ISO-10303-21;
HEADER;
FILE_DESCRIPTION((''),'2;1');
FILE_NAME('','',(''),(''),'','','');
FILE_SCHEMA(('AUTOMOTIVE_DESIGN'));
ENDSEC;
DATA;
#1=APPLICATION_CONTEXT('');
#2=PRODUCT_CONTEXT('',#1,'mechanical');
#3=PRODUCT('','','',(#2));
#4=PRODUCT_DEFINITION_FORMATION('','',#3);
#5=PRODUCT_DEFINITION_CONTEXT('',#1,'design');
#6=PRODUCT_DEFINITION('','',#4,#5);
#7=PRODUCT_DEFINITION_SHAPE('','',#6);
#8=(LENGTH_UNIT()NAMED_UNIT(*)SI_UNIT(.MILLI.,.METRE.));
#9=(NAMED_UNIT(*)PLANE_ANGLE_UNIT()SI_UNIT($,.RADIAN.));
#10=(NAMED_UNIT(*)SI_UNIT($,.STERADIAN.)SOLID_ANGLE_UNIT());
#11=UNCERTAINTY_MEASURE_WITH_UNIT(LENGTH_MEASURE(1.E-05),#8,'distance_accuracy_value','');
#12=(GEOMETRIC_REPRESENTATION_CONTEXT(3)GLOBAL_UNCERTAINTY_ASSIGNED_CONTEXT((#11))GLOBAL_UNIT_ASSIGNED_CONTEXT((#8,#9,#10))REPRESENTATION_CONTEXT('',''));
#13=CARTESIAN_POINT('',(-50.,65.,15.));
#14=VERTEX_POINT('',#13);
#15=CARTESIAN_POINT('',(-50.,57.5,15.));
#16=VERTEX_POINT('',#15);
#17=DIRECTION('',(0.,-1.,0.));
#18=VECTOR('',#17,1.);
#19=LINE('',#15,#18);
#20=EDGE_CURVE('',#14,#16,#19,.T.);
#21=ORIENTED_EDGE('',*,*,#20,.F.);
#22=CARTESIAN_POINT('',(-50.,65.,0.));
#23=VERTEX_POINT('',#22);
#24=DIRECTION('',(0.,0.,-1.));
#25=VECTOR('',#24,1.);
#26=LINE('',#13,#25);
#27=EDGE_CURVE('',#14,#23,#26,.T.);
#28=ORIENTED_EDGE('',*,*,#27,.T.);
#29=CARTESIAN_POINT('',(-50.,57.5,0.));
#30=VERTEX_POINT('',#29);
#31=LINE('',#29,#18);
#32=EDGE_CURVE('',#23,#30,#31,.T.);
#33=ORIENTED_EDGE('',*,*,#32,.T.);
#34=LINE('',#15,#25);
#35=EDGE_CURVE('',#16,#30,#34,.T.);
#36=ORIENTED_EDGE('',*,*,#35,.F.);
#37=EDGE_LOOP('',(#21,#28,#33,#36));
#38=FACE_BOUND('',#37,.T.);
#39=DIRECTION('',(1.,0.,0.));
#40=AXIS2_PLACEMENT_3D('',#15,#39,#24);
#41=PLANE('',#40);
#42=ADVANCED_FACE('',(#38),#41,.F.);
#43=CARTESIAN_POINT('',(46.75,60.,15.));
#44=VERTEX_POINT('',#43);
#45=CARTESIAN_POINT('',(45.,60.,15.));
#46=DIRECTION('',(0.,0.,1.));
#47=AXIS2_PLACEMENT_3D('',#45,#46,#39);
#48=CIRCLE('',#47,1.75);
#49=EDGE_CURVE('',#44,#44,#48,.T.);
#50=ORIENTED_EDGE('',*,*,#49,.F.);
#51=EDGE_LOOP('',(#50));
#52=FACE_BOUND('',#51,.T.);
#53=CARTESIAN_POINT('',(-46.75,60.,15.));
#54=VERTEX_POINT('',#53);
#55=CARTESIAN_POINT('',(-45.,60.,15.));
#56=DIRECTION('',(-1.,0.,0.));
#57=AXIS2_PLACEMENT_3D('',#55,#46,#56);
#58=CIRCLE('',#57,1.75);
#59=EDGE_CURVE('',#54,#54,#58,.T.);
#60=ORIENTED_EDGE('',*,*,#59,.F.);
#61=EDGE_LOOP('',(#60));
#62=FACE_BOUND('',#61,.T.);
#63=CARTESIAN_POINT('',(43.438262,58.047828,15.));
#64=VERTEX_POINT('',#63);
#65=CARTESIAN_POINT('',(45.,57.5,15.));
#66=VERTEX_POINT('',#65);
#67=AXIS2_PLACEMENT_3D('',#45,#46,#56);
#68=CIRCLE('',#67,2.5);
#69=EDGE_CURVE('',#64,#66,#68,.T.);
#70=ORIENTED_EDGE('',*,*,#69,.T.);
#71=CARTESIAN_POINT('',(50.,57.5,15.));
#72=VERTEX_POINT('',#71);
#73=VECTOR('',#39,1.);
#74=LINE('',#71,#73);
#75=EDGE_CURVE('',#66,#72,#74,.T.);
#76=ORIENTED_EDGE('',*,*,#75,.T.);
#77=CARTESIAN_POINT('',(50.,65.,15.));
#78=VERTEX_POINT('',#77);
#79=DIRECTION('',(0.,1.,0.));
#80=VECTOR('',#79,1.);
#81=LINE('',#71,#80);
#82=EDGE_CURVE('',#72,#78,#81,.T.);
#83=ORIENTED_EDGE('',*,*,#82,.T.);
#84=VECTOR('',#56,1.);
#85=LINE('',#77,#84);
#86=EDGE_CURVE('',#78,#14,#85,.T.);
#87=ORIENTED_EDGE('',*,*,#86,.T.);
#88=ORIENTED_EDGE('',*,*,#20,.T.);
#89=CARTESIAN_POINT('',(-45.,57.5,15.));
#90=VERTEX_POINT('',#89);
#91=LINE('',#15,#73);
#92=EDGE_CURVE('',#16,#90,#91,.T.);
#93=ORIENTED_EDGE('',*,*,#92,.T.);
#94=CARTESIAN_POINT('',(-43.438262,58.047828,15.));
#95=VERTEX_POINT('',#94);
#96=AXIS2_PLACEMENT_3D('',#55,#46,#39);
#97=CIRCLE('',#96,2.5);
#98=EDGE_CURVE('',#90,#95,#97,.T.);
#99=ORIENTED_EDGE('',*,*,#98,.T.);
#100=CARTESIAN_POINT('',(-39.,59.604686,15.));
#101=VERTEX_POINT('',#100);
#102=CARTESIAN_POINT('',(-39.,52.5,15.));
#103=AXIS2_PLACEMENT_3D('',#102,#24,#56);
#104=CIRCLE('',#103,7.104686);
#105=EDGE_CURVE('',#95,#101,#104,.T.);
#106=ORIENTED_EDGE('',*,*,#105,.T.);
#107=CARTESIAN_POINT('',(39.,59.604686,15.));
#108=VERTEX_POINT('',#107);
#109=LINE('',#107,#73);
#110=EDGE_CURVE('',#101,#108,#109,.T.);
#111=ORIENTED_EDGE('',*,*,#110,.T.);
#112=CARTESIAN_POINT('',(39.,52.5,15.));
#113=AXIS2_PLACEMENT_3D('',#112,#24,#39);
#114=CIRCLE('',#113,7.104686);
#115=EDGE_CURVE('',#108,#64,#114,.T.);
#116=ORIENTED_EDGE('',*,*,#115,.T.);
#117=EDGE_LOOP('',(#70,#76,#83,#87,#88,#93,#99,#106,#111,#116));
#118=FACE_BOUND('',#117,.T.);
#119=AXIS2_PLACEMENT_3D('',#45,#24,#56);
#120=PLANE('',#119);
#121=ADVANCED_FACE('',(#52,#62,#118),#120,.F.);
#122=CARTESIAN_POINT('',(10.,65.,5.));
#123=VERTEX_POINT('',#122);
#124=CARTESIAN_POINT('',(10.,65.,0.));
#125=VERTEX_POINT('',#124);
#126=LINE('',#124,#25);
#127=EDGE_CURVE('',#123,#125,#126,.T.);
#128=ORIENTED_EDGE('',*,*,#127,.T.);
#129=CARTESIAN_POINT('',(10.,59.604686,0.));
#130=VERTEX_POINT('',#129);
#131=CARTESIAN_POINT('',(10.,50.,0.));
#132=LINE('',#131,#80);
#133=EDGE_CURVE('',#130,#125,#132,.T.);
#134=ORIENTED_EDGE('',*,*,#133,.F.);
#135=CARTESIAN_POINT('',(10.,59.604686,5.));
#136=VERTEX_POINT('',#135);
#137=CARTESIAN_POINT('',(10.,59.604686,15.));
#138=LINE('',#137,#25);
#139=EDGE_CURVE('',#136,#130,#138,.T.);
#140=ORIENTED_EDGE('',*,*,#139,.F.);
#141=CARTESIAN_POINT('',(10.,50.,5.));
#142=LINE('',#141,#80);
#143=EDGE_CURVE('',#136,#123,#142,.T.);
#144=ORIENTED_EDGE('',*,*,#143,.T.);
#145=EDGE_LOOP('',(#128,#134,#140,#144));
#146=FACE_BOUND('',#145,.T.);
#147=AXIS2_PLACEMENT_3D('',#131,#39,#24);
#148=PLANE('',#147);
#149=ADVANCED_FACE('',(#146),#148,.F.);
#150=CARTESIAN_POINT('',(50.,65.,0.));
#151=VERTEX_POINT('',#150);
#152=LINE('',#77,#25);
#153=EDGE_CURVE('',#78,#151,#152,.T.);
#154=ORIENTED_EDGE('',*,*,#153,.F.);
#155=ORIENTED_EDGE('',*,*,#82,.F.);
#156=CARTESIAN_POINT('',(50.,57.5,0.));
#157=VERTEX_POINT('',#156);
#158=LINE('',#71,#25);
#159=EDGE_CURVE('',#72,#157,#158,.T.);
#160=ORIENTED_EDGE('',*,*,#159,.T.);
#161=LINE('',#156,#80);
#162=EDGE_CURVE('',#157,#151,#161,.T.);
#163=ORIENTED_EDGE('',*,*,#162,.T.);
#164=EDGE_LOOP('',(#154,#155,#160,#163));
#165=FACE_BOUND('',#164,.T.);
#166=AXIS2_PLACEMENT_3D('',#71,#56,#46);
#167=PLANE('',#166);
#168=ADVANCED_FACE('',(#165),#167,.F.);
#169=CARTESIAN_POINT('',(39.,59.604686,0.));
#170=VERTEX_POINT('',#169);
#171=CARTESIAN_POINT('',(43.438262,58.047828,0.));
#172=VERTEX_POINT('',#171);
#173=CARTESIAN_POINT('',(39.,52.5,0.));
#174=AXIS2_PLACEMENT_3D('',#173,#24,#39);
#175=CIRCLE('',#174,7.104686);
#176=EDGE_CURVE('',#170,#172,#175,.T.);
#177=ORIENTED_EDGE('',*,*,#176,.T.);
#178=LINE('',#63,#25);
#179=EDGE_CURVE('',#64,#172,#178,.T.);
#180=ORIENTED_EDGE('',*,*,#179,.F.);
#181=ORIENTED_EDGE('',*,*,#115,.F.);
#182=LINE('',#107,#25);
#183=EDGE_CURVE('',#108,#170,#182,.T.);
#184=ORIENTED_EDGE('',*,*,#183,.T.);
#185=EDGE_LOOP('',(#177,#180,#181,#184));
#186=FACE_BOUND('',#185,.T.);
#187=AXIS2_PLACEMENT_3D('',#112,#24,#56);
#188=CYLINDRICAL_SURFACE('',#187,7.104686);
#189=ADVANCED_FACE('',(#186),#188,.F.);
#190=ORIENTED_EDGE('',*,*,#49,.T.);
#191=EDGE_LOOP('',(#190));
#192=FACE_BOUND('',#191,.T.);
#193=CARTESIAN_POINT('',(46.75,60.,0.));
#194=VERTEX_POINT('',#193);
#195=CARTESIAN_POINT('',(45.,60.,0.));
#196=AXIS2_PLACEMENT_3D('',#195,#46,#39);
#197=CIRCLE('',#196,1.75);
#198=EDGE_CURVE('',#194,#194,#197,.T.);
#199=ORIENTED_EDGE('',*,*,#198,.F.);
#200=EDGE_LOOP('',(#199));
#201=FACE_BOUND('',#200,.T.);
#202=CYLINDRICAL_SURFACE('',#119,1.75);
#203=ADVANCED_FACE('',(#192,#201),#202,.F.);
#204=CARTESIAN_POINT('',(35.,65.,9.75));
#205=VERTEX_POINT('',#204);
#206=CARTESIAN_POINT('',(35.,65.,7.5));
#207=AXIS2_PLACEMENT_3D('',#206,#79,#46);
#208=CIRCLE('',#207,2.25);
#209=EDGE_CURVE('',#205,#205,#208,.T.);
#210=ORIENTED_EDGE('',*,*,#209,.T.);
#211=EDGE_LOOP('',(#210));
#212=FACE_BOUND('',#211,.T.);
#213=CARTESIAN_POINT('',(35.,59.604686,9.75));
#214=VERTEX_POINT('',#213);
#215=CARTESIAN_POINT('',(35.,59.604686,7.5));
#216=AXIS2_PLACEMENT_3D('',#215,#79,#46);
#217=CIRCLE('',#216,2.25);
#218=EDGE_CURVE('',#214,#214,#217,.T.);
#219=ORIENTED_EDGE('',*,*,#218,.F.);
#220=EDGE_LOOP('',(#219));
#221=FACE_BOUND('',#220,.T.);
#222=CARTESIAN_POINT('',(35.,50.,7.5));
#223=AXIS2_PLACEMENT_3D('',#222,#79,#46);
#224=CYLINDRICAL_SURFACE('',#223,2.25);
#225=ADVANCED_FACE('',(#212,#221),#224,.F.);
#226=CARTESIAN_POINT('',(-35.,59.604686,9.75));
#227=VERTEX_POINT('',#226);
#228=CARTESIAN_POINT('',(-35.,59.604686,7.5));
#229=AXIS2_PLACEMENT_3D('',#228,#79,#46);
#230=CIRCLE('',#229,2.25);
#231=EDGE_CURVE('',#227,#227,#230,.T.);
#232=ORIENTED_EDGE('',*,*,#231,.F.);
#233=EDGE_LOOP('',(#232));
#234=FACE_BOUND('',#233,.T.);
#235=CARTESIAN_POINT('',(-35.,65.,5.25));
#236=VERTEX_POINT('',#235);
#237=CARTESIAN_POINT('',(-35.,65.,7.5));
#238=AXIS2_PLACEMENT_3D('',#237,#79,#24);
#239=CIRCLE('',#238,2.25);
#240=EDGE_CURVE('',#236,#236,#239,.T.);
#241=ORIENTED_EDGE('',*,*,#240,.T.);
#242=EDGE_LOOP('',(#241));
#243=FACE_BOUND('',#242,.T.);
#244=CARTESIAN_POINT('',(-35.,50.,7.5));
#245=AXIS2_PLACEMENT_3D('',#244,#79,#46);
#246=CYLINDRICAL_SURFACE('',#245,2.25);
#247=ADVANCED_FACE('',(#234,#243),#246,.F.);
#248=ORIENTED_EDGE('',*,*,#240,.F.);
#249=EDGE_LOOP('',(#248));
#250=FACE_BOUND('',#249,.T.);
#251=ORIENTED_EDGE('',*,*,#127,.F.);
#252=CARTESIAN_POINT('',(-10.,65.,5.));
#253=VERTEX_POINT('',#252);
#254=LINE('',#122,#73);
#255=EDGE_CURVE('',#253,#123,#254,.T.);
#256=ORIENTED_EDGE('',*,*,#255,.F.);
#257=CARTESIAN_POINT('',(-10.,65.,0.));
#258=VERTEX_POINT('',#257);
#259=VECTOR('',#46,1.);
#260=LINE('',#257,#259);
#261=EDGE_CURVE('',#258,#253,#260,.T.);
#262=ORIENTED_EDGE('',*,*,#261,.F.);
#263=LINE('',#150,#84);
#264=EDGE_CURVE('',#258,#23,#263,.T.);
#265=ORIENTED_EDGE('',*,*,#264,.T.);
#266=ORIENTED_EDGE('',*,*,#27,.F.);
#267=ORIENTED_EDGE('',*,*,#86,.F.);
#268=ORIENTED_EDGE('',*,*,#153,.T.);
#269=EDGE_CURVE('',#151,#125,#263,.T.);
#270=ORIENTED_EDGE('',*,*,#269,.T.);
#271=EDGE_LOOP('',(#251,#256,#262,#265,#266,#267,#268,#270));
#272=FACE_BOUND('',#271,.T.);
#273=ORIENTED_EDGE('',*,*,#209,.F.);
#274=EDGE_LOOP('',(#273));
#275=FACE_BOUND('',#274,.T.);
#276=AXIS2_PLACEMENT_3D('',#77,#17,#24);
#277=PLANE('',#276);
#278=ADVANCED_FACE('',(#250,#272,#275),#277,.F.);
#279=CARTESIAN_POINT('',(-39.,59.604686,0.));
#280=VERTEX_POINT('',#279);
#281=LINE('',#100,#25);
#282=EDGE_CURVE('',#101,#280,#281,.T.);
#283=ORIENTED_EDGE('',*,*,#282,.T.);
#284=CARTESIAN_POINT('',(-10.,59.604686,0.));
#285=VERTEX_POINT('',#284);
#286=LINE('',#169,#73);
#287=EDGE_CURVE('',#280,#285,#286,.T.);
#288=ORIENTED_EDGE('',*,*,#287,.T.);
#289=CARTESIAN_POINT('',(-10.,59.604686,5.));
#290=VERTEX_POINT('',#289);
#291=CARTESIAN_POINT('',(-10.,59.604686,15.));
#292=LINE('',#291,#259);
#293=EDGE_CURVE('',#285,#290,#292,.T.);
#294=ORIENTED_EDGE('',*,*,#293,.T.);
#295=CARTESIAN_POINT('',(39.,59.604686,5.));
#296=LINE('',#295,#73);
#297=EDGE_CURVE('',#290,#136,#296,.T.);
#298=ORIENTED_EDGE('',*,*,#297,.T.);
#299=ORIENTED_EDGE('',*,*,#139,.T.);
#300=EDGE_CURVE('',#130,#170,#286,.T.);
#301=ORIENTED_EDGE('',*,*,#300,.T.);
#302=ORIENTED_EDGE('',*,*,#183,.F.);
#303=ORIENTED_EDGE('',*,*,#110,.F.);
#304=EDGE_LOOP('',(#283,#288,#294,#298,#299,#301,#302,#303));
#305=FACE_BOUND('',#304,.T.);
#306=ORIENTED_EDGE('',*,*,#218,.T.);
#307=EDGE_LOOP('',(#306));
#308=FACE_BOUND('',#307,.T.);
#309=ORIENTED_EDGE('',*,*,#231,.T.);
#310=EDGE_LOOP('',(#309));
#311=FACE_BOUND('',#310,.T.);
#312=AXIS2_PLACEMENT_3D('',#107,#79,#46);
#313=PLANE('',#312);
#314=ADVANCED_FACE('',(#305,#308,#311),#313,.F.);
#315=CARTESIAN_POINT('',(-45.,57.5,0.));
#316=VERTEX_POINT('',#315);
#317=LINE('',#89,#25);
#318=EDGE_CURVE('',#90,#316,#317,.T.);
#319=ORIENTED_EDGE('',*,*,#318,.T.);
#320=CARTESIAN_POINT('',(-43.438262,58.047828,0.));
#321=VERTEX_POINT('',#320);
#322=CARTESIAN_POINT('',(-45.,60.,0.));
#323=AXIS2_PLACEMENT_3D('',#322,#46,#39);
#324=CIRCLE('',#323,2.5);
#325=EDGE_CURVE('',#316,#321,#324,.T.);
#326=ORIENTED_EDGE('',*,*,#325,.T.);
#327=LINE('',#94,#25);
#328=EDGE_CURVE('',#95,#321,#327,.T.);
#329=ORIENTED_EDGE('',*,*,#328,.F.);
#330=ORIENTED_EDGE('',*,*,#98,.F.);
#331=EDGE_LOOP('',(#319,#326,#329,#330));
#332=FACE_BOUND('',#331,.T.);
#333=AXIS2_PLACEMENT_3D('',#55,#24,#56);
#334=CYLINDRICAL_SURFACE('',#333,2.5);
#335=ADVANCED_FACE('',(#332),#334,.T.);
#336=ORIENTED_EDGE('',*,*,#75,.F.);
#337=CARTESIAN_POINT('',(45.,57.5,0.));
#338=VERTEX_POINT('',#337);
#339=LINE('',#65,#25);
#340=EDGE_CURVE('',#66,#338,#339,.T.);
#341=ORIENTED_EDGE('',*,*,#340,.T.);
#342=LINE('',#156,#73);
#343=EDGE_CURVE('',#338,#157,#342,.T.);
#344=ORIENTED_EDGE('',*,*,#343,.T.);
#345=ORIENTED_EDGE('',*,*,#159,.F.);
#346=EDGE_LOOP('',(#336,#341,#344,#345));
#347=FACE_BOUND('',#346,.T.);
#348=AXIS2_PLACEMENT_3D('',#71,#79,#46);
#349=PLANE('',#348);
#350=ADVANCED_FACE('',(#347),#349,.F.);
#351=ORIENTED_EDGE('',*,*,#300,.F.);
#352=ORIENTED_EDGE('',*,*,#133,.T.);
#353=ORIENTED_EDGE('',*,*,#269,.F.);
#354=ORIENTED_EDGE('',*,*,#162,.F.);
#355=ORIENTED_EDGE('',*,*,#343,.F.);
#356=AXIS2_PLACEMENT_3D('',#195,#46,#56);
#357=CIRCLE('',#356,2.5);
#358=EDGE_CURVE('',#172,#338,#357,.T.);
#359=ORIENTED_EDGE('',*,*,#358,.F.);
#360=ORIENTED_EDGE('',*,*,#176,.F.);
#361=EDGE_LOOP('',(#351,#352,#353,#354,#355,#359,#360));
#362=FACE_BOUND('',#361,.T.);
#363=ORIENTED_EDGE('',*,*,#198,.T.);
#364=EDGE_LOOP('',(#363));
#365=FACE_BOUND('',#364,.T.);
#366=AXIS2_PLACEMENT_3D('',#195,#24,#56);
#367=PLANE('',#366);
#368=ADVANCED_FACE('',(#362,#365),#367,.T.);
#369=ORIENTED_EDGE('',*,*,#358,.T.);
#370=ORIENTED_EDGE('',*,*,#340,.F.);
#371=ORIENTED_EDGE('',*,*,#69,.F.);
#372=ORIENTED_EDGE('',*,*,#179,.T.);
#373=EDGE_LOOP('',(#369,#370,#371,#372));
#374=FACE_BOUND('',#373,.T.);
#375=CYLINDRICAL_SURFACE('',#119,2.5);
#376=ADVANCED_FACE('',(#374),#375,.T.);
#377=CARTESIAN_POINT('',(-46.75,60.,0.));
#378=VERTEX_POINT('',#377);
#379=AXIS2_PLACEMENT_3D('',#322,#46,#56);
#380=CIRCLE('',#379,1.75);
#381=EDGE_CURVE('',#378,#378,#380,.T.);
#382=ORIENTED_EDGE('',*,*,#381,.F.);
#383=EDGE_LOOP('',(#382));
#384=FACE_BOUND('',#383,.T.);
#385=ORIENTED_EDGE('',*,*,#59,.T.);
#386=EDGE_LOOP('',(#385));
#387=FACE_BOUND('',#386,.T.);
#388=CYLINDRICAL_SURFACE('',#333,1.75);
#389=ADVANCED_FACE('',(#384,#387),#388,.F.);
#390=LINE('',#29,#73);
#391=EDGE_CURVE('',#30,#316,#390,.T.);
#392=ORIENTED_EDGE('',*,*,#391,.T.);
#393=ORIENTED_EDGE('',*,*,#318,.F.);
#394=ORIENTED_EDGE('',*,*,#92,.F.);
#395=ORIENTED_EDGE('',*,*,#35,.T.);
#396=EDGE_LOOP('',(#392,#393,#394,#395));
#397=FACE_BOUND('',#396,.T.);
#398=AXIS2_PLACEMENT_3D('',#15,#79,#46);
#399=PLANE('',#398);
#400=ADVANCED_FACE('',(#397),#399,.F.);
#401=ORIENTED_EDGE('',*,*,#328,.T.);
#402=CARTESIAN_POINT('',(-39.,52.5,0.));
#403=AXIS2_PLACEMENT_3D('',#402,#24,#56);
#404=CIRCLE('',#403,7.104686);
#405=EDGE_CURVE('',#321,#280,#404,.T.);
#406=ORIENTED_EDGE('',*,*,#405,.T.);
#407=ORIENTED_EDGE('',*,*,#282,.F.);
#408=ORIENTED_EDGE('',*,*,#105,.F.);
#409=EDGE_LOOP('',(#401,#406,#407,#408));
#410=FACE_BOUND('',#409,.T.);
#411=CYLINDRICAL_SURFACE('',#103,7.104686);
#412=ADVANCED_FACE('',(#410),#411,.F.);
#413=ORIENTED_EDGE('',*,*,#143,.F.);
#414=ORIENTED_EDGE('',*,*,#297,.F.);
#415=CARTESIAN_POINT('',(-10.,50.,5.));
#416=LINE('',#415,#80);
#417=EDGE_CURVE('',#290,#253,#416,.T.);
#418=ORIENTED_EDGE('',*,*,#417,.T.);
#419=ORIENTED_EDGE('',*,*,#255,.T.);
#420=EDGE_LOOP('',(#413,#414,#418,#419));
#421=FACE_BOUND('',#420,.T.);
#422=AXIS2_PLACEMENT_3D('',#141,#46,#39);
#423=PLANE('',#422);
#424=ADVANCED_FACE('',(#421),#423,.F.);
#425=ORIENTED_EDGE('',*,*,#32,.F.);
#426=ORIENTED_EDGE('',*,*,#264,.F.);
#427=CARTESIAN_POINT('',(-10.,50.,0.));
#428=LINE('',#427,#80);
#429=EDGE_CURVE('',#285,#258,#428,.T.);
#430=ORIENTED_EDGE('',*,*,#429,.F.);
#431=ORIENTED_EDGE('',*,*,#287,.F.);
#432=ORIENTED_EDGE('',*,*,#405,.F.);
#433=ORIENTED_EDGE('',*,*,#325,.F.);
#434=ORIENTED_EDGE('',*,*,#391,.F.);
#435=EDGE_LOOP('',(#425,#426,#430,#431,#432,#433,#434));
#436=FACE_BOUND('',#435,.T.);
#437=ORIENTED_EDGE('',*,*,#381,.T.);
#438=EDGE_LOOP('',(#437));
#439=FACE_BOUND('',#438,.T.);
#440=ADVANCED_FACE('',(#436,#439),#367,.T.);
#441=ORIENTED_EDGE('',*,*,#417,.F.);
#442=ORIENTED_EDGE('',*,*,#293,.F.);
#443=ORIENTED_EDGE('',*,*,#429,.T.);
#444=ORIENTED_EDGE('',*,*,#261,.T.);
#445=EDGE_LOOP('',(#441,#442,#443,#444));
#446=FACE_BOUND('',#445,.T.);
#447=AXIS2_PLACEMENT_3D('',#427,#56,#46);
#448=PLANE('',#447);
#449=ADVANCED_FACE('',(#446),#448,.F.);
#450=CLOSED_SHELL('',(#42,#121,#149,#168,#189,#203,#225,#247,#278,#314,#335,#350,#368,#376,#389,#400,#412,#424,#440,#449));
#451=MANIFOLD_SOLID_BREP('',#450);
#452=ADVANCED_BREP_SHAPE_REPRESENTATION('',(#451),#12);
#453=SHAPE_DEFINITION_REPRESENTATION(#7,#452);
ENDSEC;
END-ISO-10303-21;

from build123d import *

# Parameters (mm, degrees)
SKETCH1_R           = 1.75
BOSS_EXTRUDE1_DEPTH = 15
SKETCH2_R           = 2.25
SKETCH2_W           = 20
SKETCH2_H           = 5
CUT_EXTRUDE1_DEPTH  = 15


with BuildPart() as part:
    # Sketch1 → Boss-Extrude1 (new body)
    with BuildSketch(Plane.XY):
        with BuildLine():
            Line((50, 57.5), (50, 65))
            Line((50, 65), (-50, 65))
            Line((-50, 65), (-50, 57.5))
            Line((-50, 57.5), (-45, 57.5))
            ThreePointArc((-45, 57.5), (-44.172482646, 57.640929202), (-43.438262381, 58.047827976))
            ThreePointArc((-43.438262381, 58.047827976), (-41.351700501, 59.204183244), (-39, 59.604686356))
            Line((-39, 59.604686356), (39, 59.604686356))
            ThreePointArc((39, 59.604686356), (41.351700501, 59.204183244), (43.438262381, 58.047827976))
            ThreePointArc((43.438262381, 58.047827976), (44.172482646, 57.640929202), (45, 57.5))
            Line((45, 57.5), (50, 57.5))
        make_face()
        with Locations((45, 60)):
            Circle(SKETCH1_R, mode=Mode.SUBTRACT)
        with Locations(Location((-45, 60, 0), (0, 0, 180))):
            Circle(SKETCH1_R, mode=Mode.SUBTRACT)
    extrude(amount=BOSS_EXTRUDE1_DEPTH)

    # Sketch2 → Cut-Extrude1 (cut)
    with BuildSketch(Plane(origin=(0, 65, 0), x_dir=(1, 0, 0), z_dir=(0, 1, 0))):
        with Locations(Location((35, -7.5, 0), (0, 0, 270))):
            Circle(SKETCH2_R)
        with Locations(Location((-35, -7.5, 0), (0, 0, 270))):
            Circle(SKETCH2_R)
        with Locations((0, -2.5)):
            Rectangle(SKETCH2_W, SKETCH2_H)
    extrude(amount=-CUT_EXTRUDE1_DEPTH, mode=Mode.SUBTRACT)


solid = part.part
